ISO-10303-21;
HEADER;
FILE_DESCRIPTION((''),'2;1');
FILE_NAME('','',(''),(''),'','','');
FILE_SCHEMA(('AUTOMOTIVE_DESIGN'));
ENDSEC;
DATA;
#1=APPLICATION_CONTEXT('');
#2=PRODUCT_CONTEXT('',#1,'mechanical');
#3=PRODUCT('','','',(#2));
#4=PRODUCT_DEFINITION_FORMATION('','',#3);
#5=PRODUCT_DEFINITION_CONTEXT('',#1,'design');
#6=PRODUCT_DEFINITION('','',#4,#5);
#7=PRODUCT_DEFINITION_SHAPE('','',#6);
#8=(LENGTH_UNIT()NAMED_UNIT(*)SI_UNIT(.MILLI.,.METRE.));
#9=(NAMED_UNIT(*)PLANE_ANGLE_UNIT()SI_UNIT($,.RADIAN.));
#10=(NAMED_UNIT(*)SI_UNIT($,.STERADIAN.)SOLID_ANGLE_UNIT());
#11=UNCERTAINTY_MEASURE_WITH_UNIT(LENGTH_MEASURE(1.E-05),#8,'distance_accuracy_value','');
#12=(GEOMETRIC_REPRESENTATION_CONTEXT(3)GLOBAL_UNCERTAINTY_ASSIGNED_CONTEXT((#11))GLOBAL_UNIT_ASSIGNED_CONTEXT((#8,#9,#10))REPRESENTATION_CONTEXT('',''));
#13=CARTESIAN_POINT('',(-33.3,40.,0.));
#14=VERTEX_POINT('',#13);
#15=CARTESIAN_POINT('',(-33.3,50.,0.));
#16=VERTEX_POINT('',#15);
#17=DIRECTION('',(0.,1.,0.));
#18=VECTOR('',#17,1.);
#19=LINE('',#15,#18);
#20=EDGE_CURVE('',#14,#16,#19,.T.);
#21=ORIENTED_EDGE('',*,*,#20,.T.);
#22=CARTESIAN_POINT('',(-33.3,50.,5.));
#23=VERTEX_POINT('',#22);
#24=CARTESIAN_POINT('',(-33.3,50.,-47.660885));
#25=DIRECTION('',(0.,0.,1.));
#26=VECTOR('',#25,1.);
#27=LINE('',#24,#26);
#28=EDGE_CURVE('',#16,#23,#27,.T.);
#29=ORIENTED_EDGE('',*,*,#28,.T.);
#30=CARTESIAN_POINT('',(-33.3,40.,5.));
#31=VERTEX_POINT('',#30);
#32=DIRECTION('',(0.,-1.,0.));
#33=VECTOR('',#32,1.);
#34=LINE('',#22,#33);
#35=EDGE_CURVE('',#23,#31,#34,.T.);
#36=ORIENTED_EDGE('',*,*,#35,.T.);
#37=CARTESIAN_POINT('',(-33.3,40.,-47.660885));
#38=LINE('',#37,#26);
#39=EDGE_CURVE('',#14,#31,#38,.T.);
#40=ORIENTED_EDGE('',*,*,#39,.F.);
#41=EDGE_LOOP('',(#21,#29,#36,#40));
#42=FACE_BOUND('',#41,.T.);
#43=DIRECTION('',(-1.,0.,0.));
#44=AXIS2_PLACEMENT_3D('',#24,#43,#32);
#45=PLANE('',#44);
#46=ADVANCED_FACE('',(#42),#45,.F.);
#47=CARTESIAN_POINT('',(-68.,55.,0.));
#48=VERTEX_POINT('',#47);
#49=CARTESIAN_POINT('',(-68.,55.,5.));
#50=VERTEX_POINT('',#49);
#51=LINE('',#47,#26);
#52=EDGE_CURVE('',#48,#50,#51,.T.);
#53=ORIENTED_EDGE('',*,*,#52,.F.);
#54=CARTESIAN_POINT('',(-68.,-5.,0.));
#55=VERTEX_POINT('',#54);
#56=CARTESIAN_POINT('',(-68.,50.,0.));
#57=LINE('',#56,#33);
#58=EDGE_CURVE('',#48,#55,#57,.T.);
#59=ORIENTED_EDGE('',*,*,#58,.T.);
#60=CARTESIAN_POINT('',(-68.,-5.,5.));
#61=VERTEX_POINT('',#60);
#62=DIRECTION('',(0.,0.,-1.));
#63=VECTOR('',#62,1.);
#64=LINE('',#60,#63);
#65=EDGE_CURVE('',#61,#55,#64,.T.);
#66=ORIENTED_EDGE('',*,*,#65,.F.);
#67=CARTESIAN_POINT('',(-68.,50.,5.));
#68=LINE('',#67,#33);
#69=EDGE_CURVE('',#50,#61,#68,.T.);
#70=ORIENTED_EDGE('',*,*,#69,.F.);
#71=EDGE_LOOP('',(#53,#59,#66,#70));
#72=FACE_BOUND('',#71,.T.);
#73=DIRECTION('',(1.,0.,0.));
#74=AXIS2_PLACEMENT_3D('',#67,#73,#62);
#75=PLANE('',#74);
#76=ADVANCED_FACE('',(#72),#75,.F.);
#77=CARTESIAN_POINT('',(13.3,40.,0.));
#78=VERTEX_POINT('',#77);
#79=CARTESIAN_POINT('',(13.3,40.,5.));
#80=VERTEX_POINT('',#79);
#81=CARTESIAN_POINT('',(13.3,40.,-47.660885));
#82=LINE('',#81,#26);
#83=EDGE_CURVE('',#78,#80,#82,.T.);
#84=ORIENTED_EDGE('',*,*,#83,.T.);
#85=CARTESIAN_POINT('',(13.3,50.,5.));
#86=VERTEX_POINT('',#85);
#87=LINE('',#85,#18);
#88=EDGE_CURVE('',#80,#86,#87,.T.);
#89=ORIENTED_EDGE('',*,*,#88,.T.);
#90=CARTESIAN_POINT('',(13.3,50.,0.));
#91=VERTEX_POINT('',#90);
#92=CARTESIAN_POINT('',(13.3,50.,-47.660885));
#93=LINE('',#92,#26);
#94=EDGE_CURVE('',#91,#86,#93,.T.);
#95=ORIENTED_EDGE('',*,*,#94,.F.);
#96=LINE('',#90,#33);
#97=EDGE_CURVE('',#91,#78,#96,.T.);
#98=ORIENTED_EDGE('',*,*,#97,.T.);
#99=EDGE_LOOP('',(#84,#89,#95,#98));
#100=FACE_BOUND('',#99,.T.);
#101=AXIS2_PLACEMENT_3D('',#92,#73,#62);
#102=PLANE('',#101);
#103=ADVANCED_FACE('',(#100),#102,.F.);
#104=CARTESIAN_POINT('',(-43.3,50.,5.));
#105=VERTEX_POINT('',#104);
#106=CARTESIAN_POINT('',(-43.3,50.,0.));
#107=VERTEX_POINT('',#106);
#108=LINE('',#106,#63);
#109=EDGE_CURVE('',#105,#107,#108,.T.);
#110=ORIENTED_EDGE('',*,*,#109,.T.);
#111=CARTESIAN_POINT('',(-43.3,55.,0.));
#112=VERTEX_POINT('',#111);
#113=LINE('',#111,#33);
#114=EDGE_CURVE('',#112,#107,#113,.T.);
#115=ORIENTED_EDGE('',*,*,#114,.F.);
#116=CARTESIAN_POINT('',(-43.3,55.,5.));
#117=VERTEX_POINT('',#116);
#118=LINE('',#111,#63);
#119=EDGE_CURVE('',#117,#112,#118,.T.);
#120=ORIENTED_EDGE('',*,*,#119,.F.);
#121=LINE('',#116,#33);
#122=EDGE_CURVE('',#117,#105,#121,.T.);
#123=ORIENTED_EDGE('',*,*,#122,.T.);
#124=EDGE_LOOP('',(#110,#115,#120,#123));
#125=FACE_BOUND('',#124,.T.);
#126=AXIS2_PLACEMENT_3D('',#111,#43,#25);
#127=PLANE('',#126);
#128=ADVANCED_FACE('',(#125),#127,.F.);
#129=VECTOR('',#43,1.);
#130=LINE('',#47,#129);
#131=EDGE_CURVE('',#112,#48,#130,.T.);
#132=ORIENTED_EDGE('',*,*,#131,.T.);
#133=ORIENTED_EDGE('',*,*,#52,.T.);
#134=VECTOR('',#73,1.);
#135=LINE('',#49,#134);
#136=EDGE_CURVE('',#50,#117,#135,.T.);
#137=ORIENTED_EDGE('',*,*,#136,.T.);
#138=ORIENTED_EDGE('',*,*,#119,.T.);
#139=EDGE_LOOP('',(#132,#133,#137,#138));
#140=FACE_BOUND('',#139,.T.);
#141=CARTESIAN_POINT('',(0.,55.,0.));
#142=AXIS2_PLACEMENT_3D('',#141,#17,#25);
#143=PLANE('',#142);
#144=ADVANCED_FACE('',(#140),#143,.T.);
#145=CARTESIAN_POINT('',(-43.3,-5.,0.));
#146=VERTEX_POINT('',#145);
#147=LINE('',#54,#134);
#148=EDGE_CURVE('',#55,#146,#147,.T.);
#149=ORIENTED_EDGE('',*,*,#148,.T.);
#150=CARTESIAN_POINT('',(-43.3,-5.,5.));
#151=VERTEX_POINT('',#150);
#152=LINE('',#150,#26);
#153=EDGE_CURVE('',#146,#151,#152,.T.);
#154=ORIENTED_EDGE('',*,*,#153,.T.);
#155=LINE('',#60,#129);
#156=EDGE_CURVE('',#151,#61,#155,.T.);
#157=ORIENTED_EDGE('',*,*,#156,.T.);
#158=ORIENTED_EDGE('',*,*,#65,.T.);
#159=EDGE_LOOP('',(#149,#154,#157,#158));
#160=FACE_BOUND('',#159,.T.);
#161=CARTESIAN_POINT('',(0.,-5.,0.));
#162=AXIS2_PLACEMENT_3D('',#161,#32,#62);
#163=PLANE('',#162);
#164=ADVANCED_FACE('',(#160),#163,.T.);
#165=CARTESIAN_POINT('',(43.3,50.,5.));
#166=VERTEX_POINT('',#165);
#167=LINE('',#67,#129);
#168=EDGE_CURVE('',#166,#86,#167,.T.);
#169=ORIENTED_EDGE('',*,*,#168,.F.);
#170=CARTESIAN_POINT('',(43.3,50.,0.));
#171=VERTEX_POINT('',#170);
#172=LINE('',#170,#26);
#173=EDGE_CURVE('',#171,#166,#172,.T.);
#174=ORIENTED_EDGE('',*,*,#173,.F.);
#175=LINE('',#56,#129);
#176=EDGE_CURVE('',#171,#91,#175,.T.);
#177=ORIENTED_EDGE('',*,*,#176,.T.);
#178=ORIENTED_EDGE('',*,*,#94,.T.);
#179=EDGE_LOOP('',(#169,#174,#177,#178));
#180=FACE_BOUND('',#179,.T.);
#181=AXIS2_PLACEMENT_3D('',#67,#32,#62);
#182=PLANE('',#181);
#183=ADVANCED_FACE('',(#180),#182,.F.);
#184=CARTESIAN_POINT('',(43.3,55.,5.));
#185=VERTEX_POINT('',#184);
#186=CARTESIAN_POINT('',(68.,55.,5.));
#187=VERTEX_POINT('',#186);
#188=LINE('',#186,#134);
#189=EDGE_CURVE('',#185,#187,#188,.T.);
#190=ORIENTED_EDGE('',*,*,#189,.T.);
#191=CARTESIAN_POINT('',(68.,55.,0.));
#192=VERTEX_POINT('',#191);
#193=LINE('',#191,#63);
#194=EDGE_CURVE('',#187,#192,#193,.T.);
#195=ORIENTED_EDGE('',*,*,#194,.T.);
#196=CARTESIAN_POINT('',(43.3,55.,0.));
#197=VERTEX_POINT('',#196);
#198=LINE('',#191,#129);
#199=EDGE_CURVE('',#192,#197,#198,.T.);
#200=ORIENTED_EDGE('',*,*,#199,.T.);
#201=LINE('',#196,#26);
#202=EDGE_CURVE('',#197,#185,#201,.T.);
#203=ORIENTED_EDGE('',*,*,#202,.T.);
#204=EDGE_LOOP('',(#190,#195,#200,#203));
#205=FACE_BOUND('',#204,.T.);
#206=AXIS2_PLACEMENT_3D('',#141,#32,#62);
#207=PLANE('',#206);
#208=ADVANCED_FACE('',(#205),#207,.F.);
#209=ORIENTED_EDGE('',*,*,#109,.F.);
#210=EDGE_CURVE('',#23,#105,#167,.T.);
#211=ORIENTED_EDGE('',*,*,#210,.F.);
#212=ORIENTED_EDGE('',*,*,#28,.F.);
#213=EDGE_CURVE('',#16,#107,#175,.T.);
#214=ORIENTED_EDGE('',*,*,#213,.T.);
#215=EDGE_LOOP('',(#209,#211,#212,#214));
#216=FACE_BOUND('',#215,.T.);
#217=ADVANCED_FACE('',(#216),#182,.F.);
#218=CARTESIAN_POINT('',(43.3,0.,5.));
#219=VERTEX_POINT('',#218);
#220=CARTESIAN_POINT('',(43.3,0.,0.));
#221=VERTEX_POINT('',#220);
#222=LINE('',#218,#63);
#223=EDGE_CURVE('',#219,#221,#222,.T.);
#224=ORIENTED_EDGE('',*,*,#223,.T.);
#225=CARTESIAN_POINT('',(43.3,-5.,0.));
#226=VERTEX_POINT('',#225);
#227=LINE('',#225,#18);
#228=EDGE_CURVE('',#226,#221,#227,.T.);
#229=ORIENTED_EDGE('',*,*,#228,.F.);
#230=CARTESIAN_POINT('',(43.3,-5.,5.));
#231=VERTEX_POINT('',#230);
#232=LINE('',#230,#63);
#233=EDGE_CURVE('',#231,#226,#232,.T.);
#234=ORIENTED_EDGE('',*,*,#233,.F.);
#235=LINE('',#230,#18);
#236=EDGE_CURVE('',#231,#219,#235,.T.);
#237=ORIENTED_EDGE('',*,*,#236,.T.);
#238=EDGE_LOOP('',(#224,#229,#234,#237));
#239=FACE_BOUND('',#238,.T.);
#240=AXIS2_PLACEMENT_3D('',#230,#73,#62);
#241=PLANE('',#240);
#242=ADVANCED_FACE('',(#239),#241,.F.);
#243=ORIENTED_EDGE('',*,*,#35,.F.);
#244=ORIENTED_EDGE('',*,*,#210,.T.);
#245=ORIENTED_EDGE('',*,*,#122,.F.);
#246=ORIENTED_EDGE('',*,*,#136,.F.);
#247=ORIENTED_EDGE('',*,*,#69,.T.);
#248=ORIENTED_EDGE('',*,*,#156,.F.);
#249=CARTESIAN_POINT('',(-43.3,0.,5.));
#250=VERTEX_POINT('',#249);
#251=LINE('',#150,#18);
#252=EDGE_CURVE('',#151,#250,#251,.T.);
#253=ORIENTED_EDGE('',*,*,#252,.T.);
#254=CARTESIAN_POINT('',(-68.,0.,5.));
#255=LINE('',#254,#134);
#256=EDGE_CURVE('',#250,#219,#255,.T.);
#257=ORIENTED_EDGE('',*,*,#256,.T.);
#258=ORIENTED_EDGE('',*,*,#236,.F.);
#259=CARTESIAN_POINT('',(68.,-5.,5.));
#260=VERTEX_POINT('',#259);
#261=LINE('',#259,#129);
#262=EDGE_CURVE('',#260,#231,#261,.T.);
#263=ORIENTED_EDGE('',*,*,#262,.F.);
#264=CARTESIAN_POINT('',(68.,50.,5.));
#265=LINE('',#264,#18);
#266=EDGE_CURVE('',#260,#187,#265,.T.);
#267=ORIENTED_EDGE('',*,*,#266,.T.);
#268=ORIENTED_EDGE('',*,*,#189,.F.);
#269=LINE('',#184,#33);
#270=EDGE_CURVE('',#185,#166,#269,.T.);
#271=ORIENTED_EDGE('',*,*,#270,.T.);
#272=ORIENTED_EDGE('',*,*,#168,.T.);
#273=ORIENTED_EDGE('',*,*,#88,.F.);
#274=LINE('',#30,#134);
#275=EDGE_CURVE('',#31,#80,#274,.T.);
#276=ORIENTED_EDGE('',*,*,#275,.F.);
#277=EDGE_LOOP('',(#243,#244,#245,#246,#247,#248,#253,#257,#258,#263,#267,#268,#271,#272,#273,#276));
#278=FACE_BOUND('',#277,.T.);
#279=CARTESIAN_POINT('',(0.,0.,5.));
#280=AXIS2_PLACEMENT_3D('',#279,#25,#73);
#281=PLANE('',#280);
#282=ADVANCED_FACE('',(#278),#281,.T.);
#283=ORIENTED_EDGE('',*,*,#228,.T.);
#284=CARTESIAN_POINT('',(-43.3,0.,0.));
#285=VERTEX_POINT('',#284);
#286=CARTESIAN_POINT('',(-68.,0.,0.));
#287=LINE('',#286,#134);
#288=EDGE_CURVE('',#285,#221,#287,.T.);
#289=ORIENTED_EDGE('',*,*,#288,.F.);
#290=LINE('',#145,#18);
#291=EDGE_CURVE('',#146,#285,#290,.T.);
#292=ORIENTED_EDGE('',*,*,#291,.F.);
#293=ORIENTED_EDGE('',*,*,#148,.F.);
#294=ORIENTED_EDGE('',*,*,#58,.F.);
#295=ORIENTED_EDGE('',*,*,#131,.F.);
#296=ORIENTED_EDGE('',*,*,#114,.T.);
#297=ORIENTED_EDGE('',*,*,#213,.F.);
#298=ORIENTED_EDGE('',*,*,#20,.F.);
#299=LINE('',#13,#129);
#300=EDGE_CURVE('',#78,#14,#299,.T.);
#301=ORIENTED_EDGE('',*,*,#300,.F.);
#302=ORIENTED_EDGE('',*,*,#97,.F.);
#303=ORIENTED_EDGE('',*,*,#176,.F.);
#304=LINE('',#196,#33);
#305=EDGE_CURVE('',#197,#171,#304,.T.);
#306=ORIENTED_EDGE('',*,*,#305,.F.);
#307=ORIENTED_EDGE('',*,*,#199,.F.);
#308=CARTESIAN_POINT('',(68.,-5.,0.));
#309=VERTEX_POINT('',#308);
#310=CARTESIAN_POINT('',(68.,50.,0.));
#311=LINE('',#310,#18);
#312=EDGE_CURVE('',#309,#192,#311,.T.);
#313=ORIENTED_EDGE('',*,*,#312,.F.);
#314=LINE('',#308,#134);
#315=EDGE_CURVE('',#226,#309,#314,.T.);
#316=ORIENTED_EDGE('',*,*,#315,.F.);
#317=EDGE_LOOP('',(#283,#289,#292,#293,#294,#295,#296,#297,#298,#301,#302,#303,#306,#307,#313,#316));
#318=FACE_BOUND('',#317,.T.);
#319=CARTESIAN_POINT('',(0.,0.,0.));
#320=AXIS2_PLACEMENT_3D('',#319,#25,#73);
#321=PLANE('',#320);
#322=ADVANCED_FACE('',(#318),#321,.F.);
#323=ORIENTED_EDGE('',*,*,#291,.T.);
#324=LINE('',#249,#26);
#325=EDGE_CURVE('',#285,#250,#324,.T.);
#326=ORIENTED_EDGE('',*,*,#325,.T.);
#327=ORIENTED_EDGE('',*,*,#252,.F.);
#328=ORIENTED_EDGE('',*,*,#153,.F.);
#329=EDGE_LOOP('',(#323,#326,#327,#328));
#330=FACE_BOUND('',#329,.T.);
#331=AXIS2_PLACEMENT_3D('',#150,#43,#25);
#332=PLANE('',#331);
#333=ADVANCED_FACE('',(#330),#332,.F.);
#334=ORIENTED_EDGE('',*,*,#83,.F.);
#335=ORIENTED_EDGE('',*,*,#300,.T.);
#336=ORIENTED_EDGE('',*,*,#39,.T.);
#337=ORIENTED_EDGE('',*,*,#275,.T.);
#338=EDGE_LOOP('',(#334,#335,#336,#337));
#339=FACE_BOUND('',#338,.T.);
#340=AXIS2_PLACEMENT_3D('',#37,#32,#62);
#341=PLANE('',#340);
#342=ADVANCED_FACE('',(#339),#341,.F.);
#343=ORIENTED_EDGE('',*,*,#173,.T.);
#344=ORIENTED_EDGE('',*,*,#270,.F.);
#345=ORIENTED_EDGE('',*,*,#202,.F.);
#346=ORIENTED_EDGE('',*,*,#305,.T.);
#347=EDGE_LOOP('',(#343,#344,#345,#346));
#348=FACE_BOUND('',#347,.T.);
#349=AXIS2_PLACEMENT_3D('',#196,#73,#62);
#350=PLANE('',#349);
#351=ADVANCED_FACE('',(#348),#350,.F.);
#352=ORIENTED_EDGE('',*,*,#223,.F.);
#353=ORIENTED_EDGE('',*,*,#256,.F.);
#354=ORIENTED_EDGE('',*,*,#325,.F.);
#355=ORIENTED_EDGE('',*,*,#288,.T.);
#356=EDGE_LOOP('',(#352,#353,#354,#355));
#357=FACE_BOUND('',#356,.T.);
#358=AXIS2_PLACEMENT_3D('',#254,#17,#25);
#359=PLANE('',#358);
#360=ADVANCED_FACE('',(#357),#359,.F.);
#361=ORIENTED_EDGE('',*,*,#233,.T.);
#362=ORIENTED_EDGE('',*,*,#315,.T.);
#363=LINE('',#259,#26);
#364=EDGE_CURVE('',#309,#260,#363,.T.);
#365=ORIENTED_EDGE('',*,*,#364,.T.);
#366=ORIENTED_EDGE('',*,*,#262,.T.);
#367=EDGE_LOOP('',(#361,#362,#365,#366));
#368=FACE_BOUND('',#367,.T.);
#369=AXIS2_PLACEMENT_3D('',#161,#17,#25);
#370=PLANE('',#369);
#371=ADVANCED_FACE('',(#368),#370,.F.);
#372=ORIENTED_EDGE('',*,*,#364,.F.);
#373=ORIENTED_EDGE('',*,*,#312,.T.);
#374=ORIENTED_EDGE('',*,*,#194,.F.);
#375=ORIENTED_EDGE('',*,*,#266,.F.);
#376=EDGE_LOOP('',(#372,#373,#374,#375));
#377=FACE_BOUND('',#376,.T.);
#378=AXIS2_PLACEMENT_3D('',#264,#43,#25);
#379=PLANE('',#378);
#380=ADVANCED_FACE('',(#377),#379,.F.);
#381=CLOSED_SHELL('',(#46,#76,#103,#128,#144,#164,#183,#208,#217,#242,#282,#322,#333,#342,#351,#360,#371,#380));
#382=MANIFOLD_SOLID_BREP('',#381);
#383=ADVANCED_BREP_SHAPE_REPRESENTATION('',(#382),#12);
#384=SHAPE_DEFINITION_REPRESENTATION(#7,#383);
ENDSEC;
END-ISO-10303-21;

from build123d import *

# Parameters (mm, degrees)
SKETCH1_W           = 136
SKETCH1_H           = 50
BOSS_EXTRUDE1_DEPTH = 5
SKETCH2_W           = 24.7
SKETCH2_H           = 5
BOSS_EXTRUDE2_DEPTH = 5
SKETCH3_W           = 24.7
SKETCH3_H           = 5
BOSS_EXTRUDE3_DEPTH = 5
SKETCH4_W           = 46.6
SKETCH4_H           = 10
CUT_EXTRUDE1_DEPTH  = 5


with BuildPart() as part:
    # Sketch1 → Boss-Extrude1 (new body)
    with BuildSketch(Plane.XY):
        with Locations((0, 25)):
            Rectangle(SKETCH1_W, SKETCH1_H)
    extrude(amount=BOSS_EXTRUDE1_DEPTH)

    # Sketch2 → Boss-Extrude2 (add)
    with BuildSketch(Plane(origin=(0, 50, 0), x_dir=(1, 0, 0), z_dir=(0, 1, 0))):
        with Locations((-55.65, -2.5)):
            Rectangle(SKETCH2_W, SKETCH2_H)
        with Locations((55.65, -2.5)):
            Rectangle(SKETCH2_W, SKETCH2_H)
    extrude(amount=BOSS_EXTRUDE2_DEPTH)

    # Sketch3 → Boss-Extrude3 (add)
    with BuildSketch(Plane.XZ):
        with Locations((-55.65, 2.5)):
            Rectangle(SKETCH3_W, SKETCH3_H)
        with Locations((55.65, 2.5)):
            Rectangle(SKETCH3_W, SKETCH3_H)
    extrude(amount=BOSS_EXTRUDE3_DEPTH)

    # Sketch4 → Cut-Extrude1 (cut)
    with BuildSketch(Plane.XY.offset(5)):
        with Locations((-10, 45)):
            Rectangle(SKETCH4_W, SKETCH4_H)
    extrude(amount=-CUT_EXTRUDE1_DEPTH, mode=Mode.SUBTRACT)


solid = part.part
